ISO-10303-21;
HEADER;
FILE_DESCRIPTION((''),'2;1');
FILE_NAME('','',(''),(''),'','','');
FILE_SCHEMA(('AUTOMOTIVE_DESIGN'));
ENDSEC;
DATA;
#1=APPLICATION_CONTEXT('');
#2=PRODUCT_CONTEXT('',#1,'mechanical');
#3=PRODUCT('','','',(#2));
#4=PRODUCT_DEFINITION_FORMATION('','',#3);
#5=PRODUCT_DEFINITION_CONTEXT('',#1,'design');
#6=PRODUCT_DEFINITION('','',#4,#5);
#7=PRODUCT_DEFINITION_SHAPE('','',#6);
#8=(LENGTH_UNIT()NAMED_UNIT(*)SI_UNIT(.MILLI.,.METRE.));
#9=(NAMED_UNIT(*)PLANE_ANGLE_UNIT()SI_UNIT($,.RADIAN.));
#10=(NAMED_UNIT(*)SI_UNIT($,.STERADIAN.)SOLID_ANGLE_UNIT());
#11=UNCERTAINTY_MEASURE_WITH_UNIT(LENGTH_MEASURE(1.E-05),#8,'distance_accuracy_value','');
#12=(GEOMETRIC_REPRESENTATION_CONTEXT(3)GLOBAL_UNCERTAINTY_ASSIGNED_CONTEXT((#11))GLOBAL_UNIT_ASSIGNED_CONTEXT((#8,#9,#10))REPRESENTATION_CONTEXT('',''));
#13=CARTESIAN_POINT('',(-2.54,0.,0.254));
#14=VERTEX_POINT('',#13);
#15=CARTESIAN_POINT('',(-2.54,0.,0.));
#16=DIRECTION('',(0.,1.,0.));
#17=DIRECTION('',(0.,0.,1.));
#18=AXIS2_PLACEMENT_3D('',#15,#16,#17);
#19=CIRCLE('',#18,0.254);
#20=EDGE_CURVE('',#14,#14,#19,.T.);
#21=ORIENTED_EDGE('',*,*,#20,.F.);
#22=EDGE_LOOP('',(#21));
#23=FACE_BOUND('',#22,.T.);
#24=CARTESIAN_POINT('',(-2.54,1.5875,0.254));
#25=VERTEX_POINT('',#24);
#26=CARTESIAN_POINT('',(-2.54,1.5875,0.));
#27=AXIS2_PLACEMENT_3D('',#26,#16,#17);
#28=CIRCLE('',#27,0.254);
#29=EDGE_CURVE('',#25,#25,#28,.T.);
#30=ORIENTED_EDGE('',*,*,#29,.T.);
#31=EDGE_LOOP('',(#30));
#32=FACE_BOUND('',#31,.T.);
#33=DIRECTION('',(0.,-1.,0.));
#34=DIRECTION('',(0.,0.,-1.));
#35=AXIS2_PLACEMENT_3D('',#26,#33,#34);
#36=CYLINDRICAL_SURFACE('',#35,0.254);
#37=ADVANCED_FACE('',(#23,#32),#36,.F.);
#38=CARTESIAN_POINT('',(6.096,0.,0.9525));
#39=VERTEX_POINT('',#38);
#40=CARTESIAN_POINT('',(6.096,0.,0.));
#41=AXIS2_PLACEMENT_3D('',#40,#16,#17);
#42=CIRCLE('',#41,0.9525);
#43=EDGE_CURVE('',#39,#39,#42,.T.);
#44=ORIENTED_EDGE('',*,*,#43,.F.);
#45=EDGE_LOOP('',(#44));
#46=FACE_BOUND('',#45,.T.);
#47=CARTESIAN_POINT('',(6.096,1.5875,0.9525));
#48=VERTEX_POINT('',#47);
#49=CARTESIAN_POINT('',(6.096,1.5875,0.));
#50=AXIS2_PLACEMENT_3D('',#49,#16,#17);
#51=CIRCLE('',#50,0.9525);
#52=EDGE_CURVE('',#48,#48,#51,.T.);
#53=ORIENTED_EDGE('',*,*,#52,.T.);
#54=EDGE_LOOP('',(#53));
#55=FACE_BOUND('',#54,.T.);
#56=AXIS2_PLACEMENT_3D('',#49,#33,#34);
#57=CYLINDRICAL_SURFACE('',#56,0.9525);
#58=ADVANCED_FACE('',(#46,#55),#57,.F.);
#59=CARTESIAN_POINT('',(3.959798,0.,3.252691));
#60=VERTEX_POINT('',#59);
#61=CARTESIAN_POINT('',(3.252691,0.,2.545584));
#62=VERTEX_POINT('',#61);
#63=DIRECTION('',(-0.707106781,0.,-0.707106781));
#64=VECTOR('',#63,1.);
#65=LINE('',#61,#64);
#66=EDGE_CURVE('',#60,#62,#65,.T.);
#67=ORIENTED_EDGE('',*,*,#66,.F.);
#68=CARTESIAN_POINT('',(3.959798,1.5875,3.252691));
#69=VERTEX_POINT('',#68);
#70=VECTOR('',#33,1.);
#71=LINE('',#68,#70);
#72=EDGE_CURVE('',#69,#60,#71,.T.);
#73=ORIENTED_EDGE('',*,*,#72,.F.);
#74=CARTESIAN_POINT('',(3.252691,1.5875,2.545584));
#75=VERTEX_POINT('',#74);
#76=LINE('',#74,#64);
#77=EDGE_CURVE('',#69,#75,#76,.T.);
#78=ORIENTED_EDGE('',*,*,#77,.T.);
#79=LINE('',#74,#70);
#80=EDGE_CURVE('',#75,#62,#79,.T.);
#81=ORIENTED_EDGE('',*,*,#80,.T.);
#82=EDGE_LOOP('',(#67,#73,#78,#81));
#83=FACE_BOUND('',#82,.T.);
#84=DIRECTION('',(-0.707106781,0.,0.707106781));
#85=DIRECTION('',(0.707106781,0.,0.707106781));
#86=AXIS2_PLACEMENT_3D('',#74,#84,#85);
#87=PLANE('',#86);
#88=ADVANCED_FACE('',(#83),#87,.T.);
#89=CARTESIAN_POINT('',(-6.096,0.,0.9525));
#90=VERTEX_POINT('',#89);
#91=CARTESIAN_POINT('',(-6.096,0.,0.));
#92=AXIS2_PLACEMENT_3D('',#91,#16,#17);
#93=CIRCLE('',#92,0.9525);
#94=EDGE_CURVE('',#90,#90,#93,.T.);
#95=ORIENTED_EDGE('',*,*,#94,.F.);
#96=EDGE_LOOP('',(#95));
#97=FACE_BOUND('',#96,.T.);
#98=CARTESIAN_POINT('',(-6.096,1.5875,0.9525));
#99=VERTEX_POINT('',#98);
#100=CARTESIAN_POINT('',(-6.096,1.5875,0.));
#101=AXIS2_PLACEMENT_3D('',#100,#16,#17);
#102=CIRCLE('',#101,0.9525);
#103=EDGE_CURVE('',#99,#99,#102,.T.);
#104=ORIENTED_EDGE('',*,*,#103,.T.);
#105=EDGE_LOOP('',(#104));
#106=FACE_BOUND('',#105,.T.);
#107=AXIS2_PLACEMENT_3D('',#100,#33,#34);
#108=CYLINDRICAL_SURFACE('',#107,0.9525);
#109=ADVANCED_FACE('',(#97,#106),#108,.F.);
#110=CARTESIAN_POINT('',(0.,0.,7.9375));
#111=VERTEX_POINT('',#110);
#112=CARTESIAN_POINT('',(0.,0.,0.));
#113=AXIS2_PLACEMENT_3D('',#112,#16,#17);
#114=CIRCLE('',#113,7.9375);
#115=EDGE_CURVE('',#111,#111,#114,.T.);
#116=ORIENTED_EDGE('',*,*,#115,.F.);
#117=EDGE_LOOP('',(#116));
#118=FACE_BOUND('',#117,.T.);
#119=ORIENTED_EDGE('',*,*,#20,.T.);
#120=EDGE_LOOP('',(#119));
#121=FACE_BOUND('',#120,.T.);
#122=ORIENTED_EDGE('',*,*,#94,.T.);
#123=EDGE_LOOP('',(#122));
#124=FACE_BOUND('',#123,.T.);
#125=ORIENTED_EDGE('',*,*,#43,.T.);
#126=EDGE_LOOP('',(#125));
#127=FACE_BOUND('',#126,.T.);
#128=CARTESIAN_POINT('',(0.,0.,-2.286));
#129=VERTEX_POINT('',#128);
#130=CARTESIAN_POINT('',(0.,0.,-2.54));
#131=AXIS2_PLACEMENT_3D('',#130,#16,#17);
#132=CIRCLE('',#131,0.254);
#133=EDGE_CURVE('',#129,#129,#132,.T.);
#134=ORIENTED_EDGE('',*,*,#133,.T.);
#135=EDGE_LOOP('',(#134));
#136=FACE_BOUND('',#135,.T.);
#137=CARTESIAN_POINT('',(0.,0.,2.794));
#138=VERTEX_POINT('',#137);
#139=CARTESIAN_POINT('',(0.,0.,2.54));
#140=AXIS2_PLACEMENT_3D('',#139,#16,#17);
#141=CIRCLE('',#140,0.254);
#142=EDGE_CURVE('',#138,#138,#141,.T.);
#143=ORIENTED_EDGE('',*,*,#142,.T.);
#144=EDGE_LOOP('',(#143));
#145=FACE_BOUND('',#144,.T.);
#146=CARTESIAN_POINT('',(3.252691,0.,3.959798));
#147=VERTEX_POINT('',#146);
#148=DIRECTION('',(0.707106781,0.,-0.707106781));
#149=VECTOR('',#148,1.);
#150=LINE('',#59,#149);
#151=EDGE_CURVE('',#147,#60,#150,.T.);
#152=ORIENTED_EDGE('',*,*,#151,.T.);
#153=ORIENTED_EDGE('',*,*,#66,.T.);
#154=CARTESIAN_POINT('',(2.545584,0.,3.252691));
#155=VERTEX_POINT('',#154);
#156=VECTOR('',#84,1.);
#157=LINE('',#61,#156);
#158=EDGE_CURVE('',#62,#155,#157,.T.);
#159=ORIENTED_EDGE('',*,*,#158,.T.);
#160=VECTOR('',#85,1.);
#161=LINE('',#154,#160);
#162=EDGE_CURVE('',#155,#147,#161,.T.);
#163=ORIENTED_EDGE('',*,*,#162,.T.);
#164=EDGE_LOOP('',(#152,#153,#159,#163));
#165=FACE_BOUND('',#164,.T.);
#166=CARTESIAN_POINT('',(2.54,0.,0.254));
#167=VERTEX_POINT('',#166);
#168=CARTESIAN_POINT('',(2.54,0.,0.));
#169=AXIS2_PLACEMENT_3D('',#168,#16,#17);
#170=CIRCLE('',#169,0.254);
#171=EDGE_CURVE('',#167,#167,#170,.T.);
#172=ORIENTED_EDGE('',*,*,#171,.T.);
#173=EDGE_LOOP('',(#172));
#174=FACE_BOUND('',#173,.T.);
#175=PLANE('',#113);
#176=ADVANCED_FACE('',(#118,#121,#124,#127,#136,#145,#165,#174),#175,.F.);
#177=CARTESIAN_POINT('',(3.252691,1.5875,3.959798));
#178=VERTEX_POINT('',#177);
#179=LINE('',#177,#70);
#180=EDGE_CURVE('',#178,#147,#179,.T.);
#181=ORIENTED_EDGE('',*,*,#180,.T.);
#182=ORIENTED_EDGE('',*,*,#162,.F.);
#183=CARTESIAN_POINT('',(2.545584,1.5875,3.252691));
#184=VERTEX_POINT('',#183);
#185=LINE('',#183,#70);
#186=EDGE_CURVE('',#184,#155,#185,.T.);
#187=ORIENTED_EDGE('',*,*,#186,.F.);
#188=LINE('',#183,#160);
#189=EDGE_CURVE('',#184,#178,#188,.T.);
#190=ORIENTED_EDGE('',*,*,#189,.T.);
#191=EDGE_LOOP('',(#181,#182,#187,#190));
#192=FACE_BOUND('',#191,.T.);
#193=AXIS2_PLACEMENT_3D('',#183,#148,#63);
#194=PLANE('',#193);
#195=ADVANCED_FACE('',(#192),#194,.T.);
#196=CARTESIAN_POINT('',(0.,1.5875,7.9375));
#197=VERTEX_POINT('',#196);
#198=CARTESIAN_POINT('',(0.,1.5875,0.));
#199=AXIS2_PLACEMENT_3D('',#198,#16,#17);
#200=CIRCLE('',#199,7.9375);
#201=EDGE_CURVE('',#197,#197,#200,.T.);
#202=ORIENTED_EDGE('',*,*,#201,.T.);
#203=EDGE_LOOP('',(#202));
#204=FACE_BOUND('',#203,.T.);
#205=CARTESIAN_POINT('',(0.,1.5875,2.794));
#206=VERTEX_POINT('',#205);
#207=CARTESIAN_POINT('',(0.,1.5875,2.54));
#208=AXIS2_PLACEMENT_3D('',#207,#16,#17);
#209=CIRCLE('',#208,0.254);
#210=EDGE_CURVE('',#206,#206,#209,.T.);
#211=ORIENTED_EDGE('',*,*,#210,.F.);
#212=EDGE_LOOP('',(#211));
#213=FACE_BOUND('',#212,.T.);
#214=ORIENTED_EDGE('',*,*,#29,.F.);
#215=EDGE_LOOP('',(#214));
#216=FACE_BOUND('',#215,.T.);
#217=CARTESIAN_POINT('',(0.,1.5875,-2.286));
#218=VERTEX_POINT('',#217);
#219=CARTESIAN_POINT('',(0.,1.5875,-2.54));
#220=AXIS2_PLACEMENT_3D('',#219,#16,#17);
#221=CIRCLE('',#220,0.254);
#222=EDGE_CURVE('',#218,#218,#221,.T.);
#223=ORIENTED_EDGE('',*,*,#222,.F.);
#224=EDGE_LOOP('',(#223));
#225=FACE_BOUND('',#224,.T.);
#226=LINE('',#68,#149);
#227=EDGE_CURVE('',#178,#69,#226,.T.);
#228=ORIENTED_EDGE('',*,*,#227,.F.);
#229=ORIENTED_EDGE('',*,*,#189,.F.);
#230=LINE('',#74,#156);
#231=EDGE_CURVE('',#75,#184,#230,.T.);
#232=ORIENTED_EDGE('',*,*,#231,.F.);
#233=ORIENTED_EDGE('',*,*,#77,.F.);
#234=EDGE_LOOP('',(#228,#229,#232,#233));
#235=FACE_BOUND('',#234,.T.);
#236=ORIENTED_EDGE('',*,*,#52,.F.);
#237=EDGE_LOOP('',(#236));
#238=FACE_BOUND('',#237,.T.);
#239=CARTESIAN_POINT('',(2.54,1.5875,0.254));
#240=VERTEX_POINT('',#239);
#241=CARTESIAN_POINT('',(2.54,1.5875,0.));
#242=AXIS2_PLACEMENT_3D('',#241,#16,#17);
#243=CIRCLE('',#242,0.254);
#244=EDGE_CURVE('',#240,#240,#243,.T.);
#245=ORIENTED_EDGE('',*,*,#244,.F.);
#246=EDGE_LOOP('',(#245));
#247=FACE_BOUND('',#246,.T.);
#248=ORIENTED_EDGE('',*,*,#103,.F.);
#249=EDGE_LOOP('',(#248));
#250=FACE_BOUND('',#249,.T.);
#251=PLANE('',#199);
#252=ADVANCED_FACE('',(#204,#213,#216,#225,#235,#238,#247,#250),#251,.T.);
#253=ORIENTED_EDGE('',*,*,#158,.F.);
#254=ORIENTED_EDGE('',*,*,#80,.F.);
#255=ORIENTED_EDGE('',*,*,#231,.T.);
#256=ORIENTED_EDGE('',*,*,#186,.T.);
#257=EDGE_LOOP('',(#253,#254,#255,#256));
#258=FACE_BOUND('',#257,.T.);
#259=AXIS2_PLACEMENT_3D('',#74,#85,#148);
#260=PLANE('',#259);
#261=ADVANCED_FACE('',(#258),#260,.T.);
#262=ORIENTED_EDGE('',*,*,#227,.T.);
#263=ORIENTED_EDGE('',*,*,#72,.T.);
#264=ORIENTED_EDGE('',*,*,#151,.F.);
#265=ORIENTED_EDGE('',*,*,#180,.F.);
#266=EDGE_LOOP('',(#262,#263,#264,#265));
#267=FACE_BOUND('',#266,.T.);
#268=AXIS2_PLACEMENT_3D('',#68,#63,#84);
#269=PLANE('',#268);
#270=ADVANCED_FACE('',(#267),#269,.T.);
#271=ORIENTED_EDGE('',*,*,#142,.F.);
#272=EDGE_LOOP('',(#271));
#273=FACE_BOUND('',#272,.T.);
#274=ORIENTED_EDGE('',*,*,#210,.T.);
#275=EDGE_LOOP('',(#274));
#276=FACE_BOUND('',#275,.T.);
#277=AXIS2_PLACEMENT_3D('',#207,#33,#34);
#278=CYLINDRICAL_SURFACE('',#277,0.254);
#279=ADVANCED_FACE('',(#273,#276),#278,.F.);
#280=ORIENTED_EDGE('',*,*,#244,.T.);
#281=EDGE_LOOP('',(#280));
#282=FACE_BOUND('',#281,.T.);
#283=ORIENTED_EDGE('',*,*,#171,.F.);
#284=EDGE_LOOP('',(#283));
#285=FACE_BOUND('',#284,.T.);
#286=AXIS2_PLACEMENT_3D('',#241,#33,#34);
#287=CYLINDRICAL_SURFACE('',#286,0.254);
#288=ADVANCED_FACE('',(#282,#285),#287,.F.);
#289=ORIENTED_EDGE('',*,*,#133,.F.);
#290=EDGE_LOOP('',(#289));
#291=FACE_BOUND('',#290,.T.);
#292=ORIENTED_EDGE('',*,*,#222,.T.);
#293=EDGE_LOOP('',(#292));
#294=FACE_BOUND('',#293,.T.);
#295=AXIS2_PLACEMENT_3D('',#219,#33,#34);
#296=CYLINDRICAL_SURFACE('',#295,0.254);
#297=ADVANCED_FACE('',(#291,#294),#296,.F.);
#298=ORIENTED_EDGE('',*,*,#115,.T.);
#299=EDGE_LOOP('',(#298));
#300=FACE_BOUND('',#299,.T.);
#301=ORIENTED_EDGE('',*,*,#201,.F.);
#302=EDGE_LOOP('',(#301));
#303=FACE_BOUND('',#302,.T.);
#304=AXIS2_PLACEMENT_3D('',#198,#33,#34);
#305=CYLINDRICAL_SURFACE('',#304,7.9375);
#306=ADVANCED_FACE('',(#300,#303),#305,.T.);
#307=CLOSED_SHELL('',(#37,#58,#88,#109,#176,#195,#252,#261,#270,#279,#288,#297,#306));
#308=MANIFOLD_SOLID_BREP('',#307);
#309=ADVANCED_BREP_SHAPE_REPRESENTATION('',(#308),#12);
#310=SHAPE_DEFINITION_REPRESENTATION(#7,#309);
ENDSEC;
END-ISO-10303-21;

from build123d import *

# Parameters (mm, degrees)
SKETCH1_R           = 7.9375
SKETCH1_R_2         = 0.9525
SKETCH1_R_3         = 0.254
BOSS_EXTRUDE1_DEPTH = 1.5875


with BuildPart() as part:
    # Sketch1 → Boss-Extrude1 (new body)
    with BuildSketch(Plane(origin=(0, 0, 0), x_dir=(1, 0, 0), z_dir=(0, 1, 0))):
        with Locations(Location((0, 0, 0), (0, 0, 270))):
            Circle(SKETCH1_R)
        with Locations(Location((-6.096, 0, 0), (0, 0, 270))):
            Circle(SKETCH1_R_2, mode=Mode.SUBTRACT)
        with Locations(Location((6.096, 0, 0), (0, 0, 270))):
            Circle(SKETCH1_R_2, mode=Mode.SUBTRACT)
        with Locations(Location((0, 2.54, 0), (0, 0, 270))):
            Circle(SKETCH1_R_3, mode=Mode.SUBTRACT)
        with Locations(Location((-2.54, 0, 0), (0, 0, 270))):
            Circle(SKETCH1_R_3, mode=Mode.SUBTRACT)
        with Locations(Location((0, -2.54, 0), (0, 0, 270))):
            Circle(SKETCH1_R_3, mode=Mode.SUBTRACT)
        with Locations(Location((2.54, 0, 0), (0, 0, 270))):
            Circle(SKETCH1_R_3, mode=Mode.SUBTRACT)
        Polygon((3.252691193, -2.545584412), (3.959797975, -3.252691193), (3.252691193, -3.959797975), (2.545584412, -3.252691193), align=None, mode=Mode.SUBTRACT)
    extrude(amount=BOSS_EXTRUDE1_DEPTH)


solid = part.part
